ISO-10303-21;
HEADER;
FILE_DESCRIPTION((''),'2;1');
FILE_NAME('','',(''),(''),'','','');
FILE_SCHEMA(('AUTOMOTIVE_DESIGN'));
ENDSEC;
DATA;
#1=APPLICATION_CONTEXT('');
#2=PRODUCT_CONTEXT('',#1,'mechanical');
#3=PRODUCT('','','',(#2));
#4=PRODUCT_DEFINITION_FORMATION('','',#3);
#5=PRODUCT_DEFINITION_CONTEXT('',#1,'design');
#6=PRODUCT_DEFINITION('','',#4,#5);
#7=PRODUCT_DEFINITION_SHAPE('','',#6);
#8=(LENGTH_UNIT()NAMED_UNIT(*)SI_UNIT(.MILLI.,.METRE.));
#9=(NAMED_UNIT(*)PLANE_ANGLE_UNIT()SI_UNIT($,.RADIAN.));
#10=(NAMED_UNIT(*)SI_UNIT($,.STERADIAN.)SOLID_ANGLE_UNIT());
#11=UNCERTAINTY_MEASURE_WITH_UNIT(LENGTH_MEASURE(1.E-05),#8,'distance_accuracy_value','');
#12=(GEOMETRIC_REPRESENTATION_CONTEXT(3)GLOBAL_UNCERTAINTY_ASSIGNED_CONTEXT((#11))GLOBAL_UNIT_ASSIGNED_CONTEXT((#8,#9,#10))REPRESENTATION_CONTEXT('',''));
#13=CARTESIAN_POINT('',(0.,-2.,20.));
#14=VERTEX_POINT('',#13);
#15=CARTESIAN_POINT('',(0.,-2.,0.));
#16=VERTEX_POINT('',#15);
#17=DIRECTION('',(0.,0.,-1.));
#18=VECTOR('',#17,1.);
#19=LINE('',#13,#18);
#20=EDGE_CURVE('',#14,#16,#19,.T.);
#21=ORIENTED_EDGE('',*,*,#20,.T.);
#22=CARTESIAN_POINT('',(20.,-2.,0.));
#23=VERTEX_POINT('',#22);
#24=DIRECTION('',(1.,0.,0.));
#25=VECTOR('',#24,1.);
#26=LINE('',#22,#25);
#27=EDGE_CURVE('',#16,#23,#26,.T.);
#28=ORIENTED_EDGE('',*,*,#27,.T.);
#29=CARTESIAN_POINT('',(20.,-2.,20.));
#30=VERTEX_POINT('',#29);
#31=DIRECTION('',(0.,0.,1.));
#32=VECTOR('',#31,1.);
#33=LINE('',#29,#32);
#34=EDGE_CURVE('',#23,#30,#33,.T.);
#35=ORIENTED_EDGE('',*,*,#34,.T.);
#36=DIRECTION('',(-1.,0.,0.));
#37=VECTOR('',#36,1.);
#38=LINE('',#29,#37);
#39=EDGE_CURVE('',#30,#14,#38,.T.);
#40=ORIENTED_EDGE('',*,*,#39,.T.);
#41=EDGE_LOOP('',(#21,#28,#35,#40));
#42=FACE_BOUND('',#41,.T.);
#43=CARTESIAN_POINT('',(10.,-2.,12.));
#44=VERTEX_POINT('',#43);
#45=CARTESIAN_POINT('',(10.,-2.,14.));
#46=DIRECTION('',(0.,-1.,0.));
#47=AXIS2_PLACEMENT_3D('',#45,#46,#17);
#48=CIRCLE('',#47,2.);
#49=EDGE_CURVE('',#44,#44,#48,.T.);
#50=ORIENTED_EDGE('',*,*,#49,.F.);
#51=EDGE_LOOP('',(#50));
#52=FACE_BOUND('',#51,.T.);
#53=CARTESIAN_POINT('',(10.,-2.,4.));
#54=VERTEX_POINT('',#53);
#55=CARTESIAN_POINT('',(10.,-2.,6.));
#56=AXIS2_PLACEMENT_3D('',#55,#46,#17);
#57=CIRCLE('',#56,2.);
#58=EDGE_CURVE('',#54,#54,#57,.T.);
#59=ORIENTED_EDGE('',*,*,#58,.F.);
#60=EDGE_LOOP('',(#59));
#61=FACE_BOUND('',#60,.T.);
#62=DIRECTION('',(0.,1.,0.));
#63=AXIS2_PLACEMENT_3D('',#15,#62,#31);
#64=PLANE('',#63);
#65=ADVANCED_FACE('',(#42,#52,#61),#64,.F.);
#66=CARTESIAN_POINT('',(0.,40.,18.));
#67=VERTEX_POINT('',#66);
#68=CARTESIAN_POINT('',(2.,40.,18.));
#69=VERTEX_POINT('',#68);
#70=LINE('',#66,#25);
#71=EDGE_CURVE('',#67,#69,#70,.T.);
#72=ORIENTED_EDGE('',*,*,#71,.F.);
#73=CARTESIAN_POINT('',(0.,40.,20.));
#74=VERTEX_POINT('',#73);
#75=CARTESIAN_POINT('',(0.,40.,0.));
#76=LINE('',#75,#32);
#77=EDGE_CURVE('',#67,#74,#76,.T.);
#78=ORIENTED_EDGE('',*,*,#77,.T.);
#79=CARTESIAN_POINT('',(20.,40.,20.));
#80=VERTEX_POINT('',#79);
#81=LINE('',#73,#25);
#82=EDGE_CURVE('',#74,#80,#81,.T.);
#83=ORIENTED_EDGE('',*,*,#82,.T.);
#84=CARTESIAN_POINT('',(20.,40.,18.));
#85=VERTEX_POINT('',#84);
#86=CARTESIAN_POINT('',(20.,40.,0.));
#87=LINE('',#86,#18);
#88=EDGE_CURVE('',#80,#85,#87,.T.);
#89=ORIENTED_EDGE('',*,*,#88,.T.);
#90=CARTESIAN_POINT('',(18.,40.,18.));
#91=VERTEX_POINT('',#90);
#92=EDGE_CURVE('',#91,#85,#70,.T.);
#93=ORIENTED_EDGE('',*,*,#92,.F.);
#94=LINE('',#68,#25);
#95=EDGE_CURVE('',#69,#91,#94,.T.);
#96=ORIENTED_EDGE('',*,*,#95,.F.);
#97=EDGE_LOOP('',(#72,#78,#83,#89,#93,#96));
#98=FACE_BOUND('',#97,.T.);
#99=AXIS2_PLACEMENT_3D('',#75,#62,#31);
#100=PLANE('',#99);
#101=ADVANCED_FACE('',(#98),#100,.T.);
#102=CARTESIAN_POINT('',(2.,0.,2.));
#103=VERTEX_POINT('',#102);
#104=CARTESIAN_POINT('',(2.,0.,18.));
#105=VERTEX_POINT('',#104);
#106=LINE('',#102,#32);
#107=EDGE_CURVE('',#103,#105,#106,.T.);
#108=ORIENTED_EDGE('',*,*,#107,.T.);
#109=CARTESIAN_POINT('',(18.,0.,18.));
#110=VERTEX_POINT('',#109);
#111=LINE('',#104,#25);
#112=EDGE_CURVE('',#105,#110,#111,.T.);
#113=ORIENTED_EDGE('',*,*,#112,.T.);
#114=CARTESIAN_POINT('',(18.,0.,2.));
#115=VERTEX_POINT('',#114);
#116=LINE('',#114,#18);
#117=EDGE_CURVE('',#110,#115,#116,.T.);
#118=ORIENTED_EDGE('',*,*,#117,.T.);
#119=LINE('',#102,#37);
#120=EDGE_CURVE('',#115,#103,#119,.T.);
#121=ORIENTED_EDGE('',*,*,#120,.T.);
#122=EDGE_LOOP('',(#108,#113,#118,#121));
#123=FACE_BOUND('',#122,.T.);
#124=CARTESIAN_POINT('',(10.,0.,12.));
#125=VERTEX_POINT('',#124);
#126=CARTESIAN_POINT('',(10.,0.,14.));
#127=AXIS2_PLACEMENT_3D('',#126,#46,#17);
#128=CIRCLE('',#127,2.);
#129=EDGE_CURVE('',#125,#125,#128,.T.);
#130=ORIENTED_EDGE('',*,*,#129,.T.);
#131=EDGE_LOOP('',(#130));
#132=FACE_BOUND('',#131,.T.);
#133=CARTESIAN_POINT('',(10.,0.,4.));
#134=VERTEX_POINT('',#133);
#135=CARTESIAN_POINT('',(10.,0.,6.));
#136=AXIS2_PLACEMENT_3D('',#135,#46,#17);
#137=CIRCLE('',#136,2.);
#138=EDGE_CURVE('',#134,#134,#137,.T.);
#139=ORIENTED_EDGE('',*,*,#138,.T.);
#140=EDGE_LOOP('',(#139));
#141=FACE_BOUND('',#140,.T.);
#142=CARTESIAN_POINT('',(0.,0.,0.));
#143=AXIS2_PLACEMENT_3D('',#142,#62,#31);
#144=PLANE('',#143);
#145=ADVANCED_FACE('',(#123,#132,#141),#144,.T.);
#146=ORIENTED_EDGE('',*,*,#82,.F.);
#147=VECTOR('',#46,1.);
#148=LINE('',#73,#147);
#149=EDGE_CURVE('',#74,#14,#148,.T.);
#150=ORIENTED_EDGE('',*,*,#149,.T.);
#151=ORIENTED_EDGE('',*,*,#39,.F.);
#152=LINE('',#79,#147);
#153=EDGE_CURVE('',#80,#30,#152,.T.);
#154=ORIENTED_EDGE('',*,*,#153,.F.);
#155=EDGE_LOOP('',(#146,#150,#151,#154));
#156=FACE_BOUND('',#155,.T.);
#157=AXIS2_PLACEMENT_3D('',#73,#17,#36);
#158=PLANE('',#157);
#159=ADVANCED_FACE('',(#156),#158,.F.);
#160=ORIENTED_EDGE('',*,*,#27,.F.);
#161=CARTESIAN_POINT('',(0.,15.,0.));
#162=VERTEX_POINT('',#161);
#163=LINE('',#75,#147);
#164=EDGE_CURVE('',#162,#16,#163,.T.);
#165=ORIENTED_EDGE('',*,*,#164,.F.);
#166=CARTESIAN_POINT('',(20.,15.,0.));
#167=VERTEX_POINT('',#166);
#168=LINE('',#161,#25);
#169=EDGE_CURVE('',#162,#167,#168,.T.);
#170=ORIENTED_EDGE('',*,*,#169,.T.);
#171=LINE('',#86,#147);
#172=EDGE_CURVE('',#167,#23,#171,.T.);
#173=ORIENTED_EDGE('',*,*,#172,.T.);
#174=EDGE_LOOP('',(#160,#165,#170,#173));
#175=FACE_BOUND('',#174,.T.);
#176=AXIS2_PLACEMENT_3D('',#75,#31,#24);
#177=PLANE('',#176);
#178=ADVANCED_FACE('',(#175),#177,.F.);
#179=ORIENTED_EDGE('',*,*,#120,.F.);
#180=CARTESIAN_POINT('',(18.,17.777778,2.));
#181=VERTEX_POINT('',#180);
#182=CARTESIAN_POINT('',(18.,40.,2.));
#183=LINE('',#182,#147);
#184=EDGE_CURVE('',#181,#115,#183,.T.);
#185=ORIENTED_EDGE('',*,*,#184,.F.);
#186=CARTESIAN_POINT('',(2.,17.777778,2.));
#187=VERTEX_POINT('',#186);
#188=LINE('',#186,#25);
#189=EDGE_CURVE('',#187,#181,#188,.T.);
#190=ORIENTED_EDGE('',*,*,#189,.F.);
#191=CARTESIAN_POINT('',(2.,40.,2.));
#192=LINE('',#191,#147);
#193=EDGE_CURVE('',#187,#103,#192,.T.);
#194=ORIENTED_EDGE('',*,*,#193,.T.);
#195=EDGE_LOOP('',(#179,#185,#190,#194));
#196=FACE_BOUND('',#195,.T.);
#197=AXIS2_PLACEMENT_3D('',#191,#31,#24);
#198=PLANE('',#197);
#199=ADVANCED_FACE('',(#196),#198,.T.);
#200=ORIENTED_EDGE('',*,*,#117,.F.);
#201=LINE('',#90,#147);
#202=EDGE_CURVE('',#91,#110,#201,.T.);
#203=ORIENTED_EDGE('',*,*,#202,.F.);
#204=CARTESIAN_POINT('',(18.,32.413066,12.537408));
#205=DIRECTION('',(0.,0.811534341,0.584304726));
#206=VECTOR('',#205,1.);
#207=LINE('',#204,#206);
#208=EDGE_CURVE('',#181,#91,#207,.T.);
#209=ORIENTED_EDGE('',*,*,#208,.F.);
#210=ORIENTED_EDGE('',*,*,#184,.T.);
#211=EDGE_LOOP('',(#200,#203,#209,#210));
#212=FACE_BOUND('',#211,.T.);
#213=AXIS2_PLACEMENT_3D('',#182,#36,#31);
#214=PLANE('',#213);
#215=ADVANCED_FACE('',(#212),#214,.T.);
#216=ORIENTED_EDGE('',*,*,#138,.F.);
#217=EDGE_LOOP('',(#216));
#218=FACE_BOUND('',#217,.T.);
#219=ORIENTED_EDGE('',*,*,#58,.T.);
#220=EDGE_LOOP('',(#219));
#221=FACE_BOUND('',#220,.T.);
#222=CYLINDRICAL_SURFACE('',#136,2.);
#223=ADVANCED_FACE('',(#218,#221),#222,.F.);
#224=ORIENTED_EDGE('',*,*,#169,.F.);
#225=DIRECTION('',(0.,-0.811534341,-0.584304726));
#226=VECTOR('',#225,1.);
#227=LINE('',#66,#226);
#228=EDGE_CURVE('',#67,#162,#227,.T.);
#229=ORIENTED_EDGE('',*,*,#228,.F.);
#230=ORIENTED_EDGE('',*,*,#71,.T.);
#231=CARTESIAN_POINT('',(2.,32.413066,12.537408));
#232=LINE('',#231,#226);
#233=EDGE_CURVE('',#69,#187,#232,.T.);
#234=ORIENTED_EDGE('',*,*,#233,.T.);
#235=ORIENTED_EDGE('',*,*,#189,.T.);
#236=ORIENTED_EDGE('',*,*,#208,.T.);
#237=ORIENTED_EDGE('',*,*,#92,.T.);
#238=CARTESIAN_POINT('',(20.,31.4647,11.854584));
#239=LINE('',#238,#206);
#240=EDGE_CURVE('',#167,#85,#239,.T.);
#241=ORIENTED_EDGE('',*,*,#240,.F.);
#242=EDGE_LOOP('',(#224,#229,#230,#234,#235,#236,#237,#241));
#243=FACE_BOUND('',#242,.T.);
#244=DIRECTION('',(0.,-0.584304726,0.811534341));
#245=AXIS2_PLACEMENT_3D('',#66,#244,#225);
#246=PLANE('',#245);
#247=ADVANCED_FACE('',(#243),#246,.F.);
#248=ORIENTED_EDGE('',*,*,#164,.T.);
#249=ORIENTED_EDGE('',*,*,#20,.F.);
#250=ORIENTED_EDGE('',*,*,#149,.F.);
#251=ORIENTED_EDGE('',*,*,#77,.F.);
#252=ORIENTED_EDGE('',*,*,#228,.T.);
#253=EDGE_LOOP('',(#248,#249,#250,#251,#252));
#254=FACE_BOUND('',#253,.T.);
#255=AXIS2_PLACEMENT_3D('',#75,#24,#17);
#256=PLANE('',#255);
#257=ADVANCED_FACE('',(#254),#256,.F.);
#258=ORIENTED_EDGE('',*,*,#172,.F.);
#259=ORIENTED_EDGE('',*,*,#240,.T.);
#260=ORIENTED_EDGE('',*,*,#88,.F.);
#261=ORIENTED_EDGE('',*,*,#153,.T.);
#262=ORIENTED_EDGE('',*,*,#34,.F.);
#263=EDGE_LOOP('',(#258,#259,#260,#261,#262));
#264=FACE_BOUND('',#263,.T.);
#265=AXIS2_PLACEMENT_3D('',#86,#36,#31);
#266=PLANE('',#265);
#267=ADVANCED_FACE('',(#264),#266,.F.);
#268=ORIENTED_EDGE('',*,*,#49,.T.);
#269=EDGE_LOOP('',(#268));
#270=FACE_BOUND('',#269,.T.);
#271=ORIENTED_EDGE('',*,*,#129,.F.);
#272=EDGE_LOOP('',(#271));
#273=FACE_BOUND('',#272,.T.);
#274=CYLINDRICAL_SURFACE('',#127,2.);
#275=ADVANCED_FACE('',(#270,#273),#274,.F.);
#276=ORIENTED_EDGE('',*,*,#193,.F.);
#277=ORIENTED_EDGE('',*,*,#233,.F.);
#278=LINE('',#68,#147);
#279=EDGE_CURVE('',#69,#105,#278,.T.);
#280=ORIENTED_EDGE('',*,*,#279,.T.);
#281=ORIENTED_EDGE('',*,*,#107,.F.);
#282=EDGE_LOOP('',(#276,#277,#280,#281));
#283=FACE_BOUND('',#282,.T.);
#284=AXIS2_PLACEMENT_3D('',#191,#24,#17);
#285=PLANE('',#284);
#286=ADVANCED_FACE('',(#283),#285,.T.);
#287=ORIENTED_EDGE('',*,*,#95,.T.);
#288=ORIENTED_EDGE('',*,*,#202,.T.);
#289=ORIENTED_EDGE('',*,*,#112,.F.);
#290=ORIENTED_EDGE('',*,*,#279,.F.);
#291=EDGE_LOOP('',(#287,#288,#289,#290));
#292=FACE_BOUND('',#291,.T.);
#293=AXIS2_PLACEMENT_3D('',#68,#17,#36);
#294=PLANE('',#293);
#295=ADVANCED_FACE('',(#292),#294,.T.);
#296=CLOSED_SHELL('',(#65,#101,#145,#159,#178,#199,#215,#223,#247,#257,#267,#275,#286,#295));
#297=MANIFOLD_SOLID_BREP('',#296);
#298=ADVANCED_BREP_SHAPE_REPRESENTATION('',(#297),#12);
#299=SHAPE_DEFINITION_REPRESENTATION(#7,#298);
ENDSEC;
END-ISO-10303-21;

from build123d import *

# Parameters (mm, degrees)
SZKIC1_W                        = 20
SZKIC1_H                        = 20
SZKIC1_W_2                      = 16
SZKIC1_H_2                      = 16
DODANIE_WYCI_GNI_CIE1_DEPTH     = 40
WYTNIJ_WYCI_GNI_CIE1_DEPTH      = 1
WYTNIJ_WYCI_GNI_CIE1_DEPTH_BACK = 21
SZKIC3_W                        = 20
SZKIC3_H                        = 20
DODANIE_WYCI_GNI_CIE2_DEPTH     = 2
SZKIC4_R                        = 2
WYTNIJ_WYCI_GNI_CIE2_DEPTH      = 2


with BuildPart() as part:
    # Szkic1 → Dodanie-wyciągnięcie1 (new body)
    with BuildSketch(Plane(origin=(0, 0, 0), x_dir=(1, 0, 0), z_dir=(0, 1, 0))):
        with Locations((10, -10)):
            Rectangle(SZKIC1_W, SZKIC1_H)
        with Locations((10, -10)):
            Rectangle(SZKIC1_W_2, SZKIC1_H_2, mode=Mode.SUBTRACT)
    extrude(amount=DODANIE_WYCI_GNI_CIE1_DEPTH)

    # Szkic2 → Wytnij-wyciągnięcie1 (cut, two sides)
    with BuildSketch(Plane(origin=(20, 0, 0), x_dir=(0, 0, -1), z_dir=(1, 0, 0))) as wytnij_wyci_gni_cie1_sk:
        Polygon((-18, 40), (0, 15), (0, 40), align=None)
    extrude(amount=WYTNIJ_WYCI_GNI_CIE1_DEPTH, mode=Mode.SUBTRACT)
    extrude(wytnij_wyci_gni_cie1_sk.sketch, amount=-WYTNIJ_WYCI_GNI_CIE1_DEPTH_BACK, mode=Mode.SUBTRACT)

    # Szkic3 → Dodanie-wyciągnięcie2 (add)
    with BuildSketch(Plane.XZ):
        with Locations((10, 10)):
            Rectangle(SZKIC3_W, SZKIC3_H)
    extrude(amount=DODANIE_WYCI_GNI_CIE2_DEPTH)

    # Szkic4 → Wytnij-wyciągnięcie2 (cut)
    with BuildSketch(Plane.XZ.offset(2)):
        with Locations((10, 14)):
            Circle(SZKIC4_R)
        with Locations((10, 6)):
            Circle(SZKIC4_R)
    extrude(amount=-WYTNIJ_WYCI_GNI_CIE2_DEPTH, mode=Mode.SUBTRACT)


solid = part.part
